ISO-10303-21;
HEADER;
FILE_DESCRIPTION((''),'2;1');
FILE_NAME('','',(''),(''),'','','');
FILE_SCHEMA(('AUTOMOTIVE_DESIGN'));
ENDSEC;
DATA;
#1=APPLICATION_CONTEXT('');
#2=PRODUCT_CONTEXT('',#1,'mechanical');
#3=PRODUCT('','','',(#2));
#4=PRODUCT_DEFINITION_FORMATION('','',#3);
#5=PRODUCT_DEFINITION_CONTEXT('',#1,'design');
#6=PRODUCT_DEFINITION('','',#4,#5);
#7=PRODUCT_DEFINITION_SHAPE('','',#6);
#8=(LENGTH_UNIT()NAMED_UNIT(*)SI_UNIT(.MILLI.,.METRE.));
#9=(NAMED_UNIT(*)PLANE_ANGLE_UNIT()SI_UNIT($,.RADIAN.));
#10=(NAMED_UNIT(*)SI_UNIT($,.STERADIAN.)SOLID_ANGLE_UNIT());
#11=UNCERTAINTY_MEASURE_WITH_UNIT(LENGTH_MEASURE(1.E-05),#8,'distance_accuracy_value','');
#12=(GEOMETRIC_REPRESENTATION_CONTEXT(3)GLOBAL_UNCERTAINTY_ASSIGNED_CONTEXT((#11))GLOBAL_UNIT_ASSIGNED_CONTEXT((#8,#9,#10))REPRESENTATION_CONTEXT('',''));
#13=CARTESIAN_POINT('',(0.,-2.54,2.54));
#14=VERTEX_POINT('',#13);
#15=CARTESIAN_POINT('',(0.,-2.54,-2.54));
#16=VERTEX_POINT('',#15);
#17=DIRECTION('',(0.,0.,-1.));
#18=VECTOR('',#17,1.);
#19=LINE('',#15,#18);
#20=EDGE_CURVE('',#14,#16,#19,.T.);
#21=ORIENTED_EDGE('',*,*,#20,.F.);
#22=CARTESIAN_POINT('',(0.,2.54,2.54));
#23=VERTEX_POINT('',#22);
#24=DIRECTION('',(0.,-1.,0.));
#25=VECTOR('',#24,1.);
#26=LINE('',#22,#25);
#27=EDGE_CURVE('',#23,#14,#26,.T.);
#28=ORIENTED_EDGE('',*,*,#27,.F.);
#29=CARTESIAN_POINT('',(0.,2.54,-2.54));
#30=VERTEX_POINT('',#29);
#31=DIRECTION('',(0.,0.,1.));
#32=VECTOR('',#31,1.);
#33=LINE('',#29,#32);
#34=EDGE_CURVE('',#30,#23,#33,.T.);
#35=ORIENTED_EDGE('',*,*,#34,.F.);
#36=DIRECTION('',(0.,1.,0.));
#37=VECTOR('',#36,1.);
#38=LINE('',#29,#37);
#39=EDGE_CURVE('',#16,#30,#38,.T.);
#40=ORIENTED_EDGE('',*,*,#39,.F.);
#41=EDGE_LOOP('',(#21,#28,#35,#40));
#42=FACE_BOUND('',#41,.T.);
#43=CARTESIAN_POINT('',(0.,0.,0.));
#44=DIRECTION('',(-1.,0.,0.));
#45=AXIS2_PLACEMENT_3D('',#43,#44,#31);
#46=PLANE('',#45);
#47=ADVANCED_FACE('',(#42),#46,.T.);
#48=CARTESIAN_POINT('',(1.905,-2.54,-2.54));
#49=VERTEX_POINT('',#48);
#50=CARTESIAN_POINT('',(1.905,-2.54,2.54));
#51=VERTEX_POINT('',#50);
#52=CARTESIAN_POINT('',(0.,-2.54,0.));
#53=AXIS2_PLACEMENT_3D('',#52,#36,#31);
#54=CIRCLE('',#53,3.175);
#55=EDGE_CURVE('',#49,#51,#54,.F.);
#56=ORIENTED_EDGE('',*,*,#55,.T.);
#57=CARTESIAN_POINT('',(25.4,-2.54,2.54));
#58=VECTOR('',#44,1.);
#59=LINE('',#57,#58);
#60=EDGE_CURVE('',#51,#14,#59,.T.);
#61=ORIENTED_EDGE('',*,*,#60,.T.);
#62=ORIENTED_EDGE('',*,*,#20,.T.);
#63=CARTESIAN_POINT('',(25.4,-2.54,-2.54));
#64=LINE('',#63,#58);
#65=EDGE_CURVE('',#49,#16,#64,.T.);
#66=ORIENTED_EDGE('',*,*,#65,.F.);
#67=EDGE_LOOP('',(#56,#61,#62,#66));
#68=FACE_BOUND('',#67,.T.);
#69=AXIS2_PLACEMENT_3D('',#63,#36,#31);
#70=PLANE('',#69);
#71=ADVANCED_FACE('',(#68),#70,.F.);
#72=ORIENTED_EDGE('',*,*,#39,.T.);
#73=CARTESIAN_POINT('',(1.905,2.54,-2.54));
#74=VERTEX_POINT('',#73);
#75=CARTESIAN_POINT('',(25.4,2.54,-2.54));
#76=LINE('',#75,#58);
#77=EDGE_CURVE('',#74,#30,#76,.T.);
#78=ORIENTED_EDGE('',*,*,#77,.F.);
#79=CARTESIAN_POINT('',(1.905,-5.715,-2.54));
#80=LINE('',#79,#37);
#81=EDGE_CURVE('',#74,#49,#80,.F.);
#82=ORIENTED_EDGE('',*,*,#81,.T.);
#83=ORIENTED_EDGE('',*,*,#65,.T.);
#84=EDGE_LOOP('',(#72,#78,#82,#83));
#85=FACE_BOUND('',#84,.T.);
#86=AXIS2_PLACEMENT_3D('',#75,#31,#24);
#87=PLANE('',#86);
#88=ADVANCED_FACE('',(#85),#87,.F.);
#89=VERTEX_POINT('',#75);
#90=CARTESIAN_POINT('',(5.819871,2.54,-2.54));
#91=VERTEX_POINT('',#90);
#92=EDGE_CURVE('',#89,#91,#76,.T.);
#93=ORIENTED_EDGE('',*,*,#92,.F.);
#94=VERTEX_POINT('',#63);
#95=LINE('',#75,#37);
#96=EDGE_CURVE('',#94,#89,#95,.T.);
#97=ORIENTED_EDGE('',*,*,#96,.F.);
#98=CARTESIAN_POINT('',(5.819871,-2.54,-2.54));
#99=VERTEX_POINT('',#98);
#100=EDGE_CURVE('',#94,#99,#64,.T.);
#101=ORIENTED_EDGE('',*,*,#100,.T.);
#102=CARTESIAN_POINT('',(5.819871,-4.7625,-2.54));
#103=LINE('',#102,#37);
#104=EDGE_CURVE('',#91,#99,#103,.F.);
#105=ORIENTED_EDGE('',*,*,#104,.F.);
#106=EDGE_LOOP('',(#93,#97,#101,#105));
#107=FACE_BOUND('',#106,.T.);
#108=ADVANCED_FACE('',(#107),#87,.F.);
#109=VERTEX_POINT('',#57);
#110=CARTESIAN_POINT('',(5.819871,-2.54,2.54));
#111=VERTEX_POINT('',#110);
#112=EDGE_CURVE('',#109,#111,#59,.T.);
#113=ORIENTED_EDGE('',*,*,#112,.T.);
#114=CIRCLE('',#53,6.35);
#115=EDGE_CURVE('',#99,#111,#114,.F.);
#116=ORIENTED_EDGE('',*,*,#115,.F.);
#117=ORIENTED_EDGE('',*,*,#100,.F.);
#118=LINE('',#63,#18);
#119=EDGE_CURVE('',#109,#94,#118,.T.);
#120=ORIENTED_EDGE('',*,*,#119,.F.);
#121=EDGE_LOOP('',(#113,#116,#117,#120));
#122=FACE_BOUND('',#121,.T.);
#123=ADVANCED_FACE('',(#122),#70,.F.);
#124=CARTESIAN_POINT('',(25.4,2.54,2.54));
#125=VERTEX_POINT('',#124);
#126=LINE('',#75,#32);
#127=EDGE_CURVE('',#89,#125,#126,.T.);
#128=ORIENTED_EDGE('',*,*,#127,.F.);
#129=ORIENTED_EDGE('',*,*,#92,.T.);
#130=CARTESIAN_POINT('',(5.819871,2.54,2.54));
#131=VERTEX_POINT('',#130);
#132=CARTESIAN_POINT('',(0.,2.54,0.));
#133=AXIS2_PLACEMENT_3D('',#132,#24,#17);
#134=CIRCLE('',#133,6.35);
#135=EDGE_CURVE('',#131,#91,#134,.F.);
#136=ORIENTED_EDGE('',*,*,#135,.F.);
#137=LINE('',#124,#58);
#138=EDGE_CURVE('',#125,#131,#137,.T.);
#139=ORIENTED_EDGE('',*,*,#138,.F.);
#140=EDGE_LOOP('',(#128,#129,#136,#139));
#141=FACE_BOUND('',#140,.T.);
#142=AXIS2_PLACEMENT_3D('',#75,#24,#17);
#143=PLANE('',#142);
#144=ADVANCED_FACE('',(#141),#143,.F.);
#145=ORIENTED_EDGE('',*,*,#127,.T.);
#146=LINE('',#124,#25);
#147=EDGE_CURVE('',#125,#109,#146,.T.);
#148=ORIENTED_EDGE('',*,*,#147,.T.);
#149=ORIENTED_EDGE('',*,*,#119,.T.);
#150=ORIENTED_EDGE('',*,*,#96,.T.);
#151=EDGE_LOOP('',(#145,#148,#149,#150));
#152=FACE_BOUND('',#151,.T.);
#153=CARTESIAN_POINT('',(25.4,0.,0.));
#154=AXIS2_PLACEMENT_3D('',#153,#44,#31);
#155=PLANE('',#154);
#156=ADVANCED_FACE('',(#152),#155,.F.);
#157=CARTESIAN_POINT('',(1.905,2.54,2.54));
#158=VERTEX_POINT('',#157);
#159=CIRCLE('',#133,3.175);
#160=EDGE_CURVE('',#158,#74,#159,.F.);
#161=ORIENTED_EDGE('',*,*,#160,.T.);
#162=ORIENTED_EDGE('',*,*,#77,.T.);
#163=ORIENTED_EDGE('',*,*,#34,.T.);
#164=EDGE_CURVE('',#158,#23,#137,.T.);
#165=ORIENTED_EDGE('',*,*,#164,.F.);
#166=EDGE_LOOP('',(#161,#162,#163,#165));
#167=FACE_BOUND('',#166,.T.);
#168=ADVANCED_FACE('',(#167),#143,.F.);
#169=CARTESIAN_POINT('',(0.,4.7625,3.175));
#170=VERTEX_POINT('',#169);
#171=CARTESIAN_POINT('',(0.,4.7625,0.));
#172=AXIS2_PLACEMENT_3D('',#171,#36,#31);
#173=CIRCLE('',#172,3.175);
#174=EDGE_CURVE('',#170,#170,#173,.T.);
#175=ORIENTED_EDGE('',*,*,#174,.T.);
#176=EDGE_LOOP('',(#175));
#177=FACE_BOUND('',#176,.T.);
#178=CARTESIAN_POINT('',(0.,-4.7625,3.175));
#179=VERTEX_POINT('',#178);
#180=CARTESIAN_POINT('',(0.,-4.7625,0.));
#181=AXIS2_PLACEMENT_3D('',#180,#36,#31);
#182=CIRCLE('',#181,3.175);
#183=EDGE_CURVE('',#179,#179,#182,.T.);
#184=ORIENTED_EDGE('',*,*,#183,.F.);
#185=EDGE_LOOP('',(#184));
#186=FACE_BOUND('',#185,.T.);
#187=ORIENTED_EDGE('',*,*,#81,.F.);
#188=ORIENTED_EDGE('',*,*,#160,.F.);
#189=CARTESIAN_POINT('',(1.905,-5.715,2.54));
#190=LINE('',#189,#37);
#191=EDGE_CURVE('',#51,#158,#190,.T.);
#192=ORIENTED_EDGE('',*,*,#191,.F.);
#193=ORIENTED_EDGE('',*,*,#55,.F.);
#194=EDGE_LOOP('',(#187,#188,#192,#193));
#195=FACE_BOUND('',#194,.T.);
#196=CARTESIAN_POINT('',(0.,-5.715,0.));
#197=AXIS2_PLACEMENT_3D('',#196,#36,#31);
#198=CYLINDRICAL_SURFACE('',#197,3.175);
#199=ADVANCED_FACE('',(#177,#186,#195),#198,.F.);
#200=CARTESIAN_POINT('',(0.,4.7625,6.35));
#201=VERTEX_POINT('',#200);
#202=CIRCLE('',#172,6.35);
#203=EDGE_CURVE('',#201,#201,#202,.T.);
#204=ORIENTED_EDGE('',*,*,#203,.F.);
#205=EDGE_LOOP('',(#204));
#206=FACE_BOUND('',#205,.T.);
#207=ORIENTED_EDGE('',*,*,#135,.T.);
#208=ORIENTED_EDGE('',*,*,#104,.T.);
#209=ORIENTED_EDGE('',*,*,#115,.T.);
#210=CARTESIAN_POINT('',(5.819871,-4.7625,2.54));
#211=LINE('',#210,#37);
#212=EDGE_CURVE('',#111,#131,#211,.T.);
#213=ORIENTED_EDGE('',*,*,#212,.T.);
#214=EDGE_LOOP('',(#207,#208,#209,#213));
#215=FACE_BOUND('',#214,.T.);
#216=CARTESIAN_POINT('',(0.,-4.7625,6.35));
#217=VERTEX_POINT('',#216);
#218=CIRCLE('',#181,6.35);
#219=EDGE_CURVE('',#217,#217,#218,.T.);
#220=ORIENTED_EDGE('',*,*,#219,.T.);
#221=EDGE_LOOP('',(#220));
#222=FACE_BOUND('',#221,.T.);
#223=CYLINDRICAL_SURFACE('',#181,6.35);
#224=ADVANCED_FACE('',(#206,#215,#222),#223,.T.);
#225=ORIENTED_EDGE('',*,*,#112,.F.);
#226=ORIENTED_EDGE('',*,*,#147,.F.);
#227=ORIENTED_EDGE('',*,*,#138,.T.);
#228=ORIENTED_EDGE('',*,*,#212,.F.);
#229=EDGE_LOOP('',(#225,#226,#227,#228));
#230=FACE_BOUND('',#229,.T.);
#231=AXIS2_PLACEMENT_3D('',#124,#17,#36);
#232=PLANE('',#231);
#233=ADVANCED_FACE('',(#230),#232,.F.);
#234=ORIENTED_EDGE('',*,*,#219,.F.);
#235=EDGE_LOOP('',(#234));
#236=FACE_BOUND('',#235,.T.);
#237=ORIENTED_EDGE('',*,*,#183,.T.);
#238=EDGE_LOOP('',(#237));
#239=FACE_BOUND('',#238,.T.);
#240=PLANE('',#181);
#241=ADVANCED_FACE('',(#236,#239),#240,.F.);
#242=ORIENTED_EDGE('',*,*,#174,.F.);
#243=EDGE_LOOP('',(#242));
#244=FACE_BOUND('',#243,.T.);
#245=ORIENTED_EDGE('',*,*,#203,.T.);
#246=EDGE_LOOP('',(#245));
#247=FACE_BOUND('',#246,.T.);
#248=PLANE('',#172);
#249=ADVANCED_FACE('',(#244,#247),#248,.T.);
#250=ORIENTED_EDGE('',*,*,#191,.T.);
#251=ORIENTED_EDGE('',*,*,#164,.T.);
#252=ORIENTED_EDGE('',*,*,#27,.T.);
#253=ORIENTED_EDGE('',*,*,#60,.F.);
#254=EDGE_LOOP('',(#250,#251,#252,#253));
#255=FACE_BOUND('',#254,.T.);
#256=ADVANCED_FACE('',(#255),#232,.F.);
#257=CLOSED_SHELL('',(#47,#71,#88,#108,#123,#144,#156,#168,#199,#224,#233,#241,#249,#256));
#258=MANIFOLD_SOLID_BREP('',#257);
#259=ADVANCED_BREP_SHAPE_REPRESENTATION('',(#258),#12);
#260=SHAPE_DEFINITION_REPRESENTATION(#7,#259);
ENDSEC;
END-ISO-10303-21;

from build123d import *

# Parameters (mm, degrees)
SKETCH2_R                = 3.175
CUT_EXTRUDE1_DEPTH       = 6.715
CUT_EXTRUDE1_DEPTH_BACK  = 6.715
SKETCH3_R                = 6.35
SKETCH3_R_2              = 3.175
BOSS_EXTRUDE1_DEPTH      = 4.7625
BOSS_EXTRUDE1_DEPTH_BACK = 4.7625
SKETCH4_W                = 5.08
SKETCH4_H                = 5.08
BOSS_EXTRUDE2_DEPTH      = 25.4


with BuildPart() as part:
    # Sketch1 → Revolve1 (revolve)
    with BuildSketch(Plane.XY):
        with BuildLine():
            Line((0, 5.715), (0, -5.715))
            ThreePointArc((0, -5.715), (5.715, 0), (0, 5.715))
        make_face()
    revolve(axis=Axis((0, 5.715, 0), (0, -1, 0)))

    # Sketch2 → Cut-Extrude1 (cut, two sides)
    with BuildSketch(Plane(origin=(0, 0, 0), x_dir=(1, 0, 0), z_dir=(0, 1, 0))) as cut_extrude1_sk:
        Circle(SKETCH2_R)
    extrude(amount=CUT_EXTRUDE1_DEPTH, mode=Mode.SUBTRACT)
    extrude(cut_extrude1_sk.sketch, amount=-CUT_EXTRUDE1_DEPTH_BACK, mode=Mode.SUBTRACT)

    # Sketch3 → Boss-Extrude1 (add, two sides)
    with BuildSketch(Plane(origin=(0, 0, 0), x_dir=(1, 0, 0), z_dir=(0, 1, 0))) as boss_extrude1_sk:
        Circle(SKETCH3_R)
        Circle(SKETCH3_R_2, mode=Mode.SUBTRACT)
    extrude(amount=BOSS_EXTRUDE1_DEPTH)
    extrude(boss_extrude1_sk.sketch, amount=-BOSS_EXTRUDE1_DEPTH_BACK)

    # Sketch4 → Boss-Extrude2 (add)
    with BuildSketch(Plane(origin=(0, 0, 0), x_dir=(0, 0, -1), z_dir=(1, 0, 0))):
        Rectangle(SKETCH4_W, SKETCH4_H)
    extrude(amount=BOSS_EXTRUDE2_DEPTH)


solid = part.part
